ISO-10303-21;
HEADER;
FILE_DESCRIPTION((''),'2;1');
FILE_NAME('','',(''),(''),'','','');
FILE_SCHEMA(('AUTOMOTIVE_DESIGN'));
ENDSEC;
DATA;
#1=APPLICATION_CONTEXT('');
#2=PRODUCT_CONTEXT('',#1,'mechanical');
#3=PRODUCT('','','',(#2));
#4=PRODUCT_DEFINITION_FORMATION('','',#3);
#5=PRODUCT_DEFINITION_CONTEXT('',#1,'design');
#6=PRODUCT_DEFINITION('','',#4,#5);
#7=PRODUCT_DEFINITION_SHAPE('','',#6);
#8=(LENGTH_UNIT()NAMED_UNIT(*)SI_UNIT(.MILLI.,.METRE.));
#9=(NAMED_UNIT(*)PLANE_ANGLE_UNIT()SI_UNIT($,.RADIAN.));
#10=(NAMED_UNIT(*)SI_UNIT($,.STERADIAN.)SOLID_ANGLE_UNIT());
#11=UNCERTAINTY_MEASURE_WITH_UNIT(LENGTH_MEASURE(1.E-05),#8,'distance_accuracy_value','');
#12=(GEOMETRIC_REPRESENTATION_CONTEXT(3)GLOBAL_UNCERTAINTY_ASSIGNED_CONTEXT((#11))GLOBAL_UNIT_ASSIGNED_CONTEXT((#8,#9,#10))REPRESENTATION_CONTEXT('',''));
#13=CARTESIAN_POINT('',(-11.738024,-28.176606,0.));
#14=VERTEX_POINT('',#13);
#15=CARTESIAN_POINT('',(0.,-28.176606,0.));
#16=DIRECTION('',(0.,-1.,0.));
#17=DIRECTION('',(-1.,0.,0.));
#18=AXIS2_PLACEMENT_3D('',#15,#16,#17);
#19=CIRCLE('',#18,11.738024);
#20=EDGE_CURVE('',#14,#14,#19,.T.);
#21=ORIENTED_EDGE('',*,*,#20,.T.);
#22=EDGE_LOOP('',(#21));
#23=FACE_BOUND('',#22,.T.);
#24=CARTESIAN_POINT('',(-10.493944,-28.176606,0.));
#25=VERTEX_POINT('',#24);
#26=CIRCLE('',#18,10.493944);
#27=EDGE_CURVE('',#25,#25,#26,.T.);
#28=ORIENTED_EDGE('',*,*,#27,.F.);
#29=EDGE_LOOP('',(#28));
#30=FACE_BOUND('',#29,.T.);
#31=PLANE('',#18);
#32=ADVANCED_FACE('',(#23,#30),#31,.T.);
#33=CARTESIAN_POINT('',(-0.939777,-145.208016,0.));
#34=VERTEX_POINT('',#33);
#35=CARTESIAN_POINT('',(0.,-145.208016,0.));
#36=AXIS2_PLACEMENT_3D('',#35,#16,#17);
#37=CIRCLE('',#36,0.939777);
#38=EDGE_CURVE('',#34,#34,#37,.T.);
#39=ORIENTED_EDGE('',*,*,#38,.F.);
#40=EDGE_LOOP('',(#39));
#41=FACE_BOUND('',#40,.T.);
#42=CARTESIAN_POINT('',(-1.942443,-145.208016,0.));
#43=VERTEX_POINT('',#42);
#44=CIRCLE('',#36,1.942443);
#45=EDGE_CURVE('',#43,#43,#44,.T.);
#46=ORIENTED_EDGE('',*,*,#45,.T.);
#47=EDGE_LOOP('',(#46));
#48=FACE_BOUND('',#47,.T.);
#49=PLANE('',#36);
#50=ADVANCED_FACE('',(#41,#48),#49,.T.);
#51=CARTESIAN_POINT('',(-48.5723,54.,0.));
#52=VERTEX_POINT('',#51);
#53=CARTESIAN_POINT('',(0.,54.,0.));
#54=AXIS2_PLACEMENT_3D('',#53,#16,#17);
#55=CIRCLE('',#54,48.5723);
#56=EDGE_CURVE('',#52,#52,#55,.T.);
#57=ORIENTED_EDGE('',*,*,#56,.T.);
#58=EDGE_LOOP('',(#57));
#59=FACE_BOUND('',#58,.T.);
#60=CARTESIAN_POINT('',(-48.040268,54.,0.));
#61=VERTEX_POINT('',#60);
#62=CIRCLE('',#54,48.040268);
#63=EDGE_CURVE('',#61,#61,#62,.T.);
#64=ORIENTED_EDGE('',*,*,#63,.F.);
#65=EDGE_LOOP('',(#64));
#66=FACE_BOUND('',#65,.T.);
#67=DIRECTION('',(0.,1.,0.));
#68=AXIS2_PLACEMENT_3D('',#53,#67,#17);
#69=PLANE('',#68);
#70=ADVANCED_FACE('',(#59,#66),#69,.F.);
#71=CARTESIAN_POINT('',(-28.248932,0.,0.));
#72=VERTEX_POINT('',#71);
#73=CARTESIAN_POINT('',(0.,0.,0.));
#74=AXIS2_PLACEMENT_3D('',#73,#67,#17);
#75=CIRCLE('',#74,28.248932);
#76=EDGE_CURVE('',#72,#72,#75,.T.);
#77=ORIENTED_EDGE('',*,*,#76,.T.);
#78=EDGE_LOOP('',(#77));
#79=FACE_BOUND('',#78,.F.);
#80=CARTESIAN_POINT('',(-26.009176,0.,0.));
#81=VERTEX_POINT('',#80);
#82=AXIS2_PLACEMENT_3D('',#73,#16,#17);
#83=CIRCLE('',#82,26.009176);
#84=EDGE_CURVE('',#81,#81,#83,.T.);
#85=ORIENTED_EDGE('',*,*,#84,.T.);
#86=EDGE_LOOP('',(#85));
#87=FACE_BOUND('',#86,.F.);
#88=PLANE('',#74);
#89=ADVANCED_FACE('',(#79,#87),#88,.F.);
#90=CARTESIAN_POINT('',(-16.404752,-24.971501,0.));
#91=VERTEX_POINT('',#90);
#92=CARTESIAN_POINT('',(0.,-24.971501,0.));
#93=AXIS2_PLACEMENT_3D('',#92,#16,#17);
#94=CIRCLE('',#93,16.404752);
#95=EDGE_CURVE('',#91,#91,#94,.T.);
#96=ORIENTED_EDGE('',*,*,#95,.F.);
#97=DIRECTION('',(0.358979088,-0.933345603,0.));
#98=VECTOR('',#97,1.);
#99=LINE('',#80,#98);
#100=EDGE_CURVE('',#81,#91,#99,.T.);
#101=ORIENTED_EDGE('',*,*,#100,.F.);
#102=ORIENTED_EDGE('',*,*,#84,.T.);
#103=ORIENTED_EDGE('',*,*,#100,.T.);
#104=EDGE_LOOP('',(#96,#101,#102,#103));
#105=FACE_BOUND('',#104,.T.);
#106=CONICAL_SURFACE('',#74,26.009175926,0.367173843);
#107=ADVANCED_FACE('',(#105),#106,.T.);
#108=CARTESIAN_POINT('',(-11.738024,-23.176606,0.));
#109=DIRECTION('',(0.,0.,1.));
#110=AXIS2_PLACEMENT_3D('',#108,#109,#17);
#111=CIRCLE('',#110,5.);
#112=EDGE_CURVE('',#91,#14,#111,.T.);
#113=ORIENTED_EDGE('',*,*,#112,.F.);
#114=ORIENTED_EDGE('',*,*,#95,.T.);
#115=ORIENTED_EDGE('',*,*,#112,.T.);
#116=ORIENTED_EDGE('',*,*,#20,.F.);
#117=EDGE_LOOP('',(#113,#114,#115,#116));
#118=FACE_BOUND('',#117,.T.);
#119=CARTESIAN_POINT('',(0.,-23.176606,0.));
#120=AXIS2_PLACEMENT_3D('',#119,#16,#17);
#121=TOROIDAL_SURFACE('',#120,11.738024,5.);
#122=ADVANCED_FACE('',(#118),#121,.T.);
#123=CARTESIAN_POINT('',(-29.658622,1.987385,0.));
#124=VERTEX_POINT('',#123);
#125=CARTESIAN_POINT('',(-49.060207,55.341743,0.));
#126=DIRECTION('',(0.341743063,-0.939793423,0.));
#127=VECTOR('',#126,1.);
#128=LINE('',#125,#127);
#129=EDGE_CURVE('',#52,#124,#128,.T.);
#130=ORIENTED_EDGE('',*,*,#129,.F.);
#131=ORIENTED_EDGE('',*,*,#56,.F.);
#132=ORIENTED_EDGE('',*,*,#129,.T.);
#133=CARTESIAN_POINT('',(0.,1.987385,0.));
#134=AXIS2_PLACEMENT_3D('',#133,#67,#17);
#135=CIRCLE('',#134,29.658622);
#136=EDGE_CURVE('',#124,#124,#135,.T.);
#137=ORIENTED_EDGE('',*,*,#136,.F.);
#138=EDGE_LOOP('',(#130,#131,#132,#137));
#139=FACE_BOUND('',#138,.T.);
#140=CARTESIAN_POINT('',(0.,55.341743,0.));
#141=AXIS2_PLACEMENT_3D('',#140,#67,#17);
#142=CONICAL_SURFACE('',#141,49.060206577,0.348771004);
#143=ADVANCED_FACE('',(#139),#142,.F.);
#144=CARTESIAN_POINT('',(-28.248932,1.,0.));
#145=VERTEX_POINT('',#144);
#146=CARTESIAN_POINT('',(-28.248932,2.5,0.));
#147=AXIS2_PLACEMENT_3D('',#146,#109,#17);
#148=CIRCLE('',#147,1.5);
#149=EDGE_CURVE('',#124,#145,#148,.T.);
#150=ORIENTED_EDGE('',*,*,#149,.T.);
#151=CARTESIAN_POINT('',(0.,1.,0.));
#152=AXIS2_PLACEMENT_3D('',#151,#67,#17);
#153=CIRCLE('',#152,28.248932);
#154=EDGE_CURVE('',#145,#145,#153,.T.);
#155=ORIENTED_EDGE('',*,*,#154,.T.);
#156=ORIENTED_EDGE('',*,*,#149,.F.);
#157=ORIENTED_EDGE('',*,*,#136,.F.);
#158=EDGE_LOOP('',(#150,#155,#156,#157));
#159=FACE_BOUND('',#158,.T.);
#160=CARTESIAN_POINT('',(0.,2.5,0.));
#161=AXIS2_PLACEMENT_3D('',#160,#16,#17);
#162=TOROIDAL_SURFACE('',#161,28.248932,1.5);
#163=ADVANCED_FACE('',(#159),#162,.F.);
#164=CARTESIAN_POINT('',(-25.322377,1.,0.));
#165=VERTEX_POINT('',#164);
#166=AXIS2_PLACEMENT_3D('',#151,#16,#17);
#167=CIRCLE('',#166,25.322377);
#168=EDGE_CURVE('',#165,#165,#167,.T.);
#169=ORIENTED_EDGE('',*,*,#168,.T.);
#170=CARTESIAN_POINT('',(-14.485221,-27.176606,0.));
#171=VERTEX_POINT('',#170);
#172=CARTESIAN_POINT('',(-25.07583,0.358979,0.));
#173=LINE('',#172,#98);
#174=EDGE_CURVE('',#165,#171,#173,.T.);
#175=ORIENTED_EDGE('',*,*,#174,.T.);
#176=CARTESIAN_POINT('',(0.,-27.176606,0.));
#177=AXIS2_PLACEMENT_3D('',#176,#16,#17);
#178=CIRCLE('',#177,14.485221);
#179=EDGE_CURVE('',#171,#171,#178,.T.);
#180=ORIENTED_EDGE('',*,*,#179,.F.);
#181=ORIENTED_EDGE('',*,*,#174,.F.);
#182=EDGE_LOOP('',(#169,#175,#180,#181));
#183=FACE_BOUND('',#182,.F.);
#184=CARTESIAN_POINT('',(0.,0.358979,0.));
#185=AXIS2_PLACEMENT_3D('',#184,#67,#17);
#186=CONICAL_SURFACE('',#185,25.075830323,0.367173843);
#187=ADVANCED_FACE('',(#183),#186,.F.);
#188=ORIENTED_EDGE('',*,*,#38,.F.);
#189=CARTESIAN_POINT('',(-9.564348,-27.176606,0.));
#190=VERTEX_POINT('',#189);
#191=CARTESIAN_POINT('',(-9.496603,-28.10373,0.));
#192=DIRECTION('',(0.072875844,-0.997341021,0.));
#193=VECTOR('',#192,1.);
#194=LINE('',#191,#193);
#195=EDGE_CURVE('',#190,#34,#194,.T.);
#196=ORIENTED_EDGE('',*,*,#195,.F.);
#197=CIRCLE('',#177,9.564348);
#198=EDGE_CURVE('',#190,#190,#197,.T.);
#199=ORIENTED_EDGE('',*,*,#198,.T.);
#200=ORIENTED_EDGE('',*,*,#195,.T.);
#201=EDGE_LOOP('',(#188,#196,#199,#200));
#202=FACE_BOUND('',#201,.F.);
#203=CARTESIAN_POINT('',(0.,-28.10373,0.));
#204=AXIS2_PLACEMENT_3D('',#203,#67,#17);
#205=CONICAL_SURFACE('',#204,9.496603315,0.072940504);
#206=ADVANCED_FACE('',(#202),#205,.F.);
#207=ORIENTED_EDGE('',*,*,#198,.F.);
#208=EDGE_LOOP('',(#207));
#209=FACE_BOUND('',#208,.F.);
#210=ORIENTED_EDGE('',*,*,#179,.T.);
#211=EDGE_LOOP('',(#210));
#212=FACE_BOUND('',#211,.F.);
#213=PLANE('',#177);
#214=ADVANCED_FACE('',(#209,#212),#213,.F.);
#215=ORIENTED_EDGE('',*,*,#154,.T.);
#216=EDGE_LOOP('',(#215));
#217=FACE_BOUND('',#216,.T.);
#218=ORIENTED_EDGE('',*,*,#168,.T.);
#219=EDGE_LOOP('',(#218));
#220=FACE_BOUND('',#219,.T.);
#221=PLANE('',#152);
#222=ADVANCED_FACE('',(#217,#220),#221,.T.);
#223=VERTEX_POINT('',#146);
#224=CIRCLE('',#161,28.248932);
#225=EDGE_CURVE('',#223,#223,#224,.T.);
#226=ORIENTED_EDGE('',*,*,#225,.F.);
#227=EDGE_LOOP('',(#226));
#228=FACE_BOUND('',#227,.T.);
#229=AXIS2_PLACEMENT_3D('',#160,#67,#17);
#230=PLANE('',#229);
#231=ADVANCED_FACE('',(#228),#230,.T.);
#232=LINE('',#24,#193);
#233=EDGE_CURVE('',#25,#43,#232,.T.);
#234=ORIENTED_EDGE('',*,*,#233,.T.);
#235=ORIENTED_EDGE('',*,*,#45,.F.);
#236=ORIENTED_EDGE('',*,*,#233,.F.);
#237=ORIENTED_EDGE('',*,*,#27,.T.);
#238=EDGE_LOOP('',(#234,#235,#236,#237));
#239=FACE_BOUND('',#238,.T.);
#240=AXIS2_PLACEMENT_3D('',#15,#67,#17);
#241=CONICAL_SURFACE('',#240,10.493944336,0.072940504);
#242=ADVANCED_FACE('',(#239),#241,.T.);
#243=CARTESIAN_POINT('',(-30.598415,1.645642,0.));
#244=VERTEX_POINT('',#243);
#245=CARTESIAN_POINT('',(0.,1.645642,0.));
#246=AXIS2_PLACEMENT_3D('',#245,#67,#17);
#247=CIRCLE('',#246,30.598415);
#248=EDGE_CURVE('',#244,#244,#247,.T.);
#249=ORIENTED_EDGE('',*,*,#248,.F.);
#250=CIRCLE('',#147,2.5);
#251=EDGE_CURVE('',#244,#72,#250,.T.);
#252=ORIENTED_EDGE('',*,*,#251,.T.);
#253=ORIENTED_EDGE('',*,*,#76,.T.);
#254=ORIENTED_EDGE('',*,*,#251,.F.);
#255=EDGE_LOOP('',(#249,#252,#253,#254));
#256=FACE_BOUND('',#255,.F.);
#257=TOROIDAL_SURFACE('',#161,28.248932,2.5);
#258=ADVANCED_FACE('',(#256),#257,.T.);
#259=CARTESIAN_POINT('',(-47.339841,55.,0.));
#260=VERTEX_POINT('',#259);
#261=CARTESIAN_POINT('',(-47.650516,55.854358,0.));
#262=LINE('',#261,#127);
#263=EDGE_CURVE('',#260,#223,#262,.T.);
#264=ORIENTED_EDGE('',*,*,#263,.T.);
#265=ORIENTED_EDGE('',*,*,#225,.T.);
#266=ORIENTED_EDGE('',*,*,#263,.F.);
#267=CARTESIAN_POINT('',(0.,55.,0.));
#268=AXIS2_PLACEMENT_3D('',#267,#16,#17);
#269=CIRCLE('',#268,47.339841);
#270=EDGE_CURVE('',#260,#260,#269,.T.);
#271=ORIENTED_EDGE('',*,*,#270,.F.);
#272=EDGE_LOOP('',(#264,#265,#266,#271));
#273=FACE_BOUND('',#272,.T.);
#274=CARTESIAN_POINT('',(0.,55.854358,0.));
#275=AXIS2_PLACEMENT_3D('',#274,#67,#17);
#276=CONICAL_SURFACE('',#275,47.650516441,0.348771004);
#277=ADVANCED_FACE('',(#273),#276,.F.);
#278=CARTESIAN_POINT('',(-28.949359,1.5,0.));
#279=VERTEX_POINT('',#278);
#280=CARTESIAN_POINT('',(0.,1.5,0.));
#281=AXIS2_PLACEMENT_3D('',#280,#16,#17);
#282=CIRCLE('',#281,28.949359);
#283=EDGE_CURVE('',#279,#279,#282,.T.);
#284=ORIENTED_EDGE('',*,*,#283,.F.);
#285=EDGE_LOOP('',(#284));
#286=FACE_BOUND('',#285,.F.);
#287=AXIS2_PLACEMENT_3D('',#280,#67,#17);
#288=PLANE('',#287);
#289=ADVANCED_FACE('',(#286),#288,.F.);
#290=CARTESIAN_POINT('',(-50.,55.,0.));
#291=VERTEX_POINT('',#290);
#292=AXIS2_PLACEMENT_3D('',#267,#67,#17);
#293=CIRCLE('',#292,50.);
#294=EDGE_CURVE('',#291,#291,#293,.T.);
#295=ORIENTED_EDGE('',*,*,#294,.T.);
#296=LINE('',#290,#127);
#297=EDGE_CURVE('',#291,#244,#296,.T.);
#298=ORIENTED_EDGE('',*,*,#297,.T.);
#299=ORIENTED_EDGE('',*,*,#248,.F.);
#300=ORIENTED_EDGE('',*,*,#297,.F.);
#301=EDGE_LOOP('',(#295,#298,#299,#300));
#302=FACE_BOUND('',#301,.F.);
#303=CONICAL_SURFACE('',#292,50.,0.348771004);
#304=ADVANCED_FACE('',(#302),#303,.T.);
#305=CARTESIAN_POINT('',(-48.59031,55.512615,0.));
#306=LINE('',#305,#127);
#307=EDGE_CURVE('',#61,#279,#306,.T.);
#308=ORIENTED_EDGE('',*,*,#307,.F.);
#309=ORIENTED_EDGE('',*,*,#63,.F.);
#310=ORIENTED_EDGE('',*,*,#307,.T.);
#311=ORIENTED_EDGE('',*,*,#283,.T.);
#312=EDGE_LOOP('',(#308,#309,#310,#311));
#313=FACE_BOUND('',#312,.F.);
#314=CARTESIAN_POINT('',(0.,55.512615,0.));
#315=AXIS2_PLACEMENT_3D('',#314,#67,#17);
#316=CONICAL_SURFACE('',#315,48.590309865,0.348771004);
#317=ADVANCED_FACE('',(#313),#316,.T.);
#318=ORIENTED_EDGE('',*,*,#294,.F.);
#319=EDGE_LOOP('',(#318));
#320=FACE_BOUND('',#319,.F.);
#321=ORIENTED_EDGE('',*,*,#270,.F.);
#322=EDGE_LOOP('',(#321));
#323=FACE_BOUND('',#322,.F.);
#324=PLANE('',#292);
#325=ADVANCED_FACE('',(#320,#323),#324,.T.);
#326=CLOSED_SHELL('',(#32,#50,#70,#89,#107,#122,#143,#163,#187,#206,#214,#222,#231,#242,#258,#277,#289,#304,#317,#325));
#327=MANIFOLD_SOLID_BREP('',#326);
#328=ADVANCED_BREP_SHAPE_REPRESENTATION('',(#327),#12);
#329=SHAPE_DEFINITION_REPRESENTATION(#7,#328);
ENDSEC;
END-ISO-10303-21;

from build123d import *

# Parameters (mm, degrees)
F2_T = -2.5
F5_R = 2.5
F8_T = -1
F9_R = 5


with BuildPart() as f1:
    # F0 (on Top) → F1 (revolve)
    with BuildSketch(Plane.XY):
        Polygon((-50, 55), (-30, 0), (0, 0), (0, 55), align=None)
    revolve(axis=Axis((0, 27.5, 0), (0, 1, 0)))

    # F2
    f2_openings = [f1.faces().sort_by_distance(p)[0] for p in [
        (0, 55, 0),
    ]]
    offset(amount=F2_T, openings=f2_openings)

    # F3 (on Top) → F4 (revolve)
    with BuildSketch(Plane.XY):
        Polygon((0, -28.1766057014), (0, 0), (-26.0091759264, 0), (-15.1720196009, -28.1766057014), align=None)
    revolve(axis=Axis((0, -44.4323420525, 0), (0, -1, 0)))

    # F5
    f5_edges = [f1.edges().sort_by_distance(p)[0] for p in [
        (30, 0, 0),
    ]]
    fillet(f5_edges, radius=F5_R)

    # F6 (on Top) → F7 (revolve)
    with BuildSketch(Plane.XY):
        Polygon((0, -28.1766057014), (-10.493944336, -28.1766057014), (-1.9424433219, -145.2080160379), (0, -145.2080160379), align=None)
    revolve(axis=Axis((0, -86.6923108697, 0), (0, -1, 0)))

    # F8
    f8_openings = [f1.faces().sort_by_distance(p)[0] for p in [
        (0, -145.208016, 0),
    ]]
    offset(amount=F8_T, openings=f8_openings, kind=Kind.INTERSECTION)

    # F9
    f9_edges = [f1.edges().sort_by_distance(p)[0] for p in [
        (15.17202, -28.176606, 0),
    ]]
    fillet(f9_edges, radius=F9_R)


solid = f1.part
